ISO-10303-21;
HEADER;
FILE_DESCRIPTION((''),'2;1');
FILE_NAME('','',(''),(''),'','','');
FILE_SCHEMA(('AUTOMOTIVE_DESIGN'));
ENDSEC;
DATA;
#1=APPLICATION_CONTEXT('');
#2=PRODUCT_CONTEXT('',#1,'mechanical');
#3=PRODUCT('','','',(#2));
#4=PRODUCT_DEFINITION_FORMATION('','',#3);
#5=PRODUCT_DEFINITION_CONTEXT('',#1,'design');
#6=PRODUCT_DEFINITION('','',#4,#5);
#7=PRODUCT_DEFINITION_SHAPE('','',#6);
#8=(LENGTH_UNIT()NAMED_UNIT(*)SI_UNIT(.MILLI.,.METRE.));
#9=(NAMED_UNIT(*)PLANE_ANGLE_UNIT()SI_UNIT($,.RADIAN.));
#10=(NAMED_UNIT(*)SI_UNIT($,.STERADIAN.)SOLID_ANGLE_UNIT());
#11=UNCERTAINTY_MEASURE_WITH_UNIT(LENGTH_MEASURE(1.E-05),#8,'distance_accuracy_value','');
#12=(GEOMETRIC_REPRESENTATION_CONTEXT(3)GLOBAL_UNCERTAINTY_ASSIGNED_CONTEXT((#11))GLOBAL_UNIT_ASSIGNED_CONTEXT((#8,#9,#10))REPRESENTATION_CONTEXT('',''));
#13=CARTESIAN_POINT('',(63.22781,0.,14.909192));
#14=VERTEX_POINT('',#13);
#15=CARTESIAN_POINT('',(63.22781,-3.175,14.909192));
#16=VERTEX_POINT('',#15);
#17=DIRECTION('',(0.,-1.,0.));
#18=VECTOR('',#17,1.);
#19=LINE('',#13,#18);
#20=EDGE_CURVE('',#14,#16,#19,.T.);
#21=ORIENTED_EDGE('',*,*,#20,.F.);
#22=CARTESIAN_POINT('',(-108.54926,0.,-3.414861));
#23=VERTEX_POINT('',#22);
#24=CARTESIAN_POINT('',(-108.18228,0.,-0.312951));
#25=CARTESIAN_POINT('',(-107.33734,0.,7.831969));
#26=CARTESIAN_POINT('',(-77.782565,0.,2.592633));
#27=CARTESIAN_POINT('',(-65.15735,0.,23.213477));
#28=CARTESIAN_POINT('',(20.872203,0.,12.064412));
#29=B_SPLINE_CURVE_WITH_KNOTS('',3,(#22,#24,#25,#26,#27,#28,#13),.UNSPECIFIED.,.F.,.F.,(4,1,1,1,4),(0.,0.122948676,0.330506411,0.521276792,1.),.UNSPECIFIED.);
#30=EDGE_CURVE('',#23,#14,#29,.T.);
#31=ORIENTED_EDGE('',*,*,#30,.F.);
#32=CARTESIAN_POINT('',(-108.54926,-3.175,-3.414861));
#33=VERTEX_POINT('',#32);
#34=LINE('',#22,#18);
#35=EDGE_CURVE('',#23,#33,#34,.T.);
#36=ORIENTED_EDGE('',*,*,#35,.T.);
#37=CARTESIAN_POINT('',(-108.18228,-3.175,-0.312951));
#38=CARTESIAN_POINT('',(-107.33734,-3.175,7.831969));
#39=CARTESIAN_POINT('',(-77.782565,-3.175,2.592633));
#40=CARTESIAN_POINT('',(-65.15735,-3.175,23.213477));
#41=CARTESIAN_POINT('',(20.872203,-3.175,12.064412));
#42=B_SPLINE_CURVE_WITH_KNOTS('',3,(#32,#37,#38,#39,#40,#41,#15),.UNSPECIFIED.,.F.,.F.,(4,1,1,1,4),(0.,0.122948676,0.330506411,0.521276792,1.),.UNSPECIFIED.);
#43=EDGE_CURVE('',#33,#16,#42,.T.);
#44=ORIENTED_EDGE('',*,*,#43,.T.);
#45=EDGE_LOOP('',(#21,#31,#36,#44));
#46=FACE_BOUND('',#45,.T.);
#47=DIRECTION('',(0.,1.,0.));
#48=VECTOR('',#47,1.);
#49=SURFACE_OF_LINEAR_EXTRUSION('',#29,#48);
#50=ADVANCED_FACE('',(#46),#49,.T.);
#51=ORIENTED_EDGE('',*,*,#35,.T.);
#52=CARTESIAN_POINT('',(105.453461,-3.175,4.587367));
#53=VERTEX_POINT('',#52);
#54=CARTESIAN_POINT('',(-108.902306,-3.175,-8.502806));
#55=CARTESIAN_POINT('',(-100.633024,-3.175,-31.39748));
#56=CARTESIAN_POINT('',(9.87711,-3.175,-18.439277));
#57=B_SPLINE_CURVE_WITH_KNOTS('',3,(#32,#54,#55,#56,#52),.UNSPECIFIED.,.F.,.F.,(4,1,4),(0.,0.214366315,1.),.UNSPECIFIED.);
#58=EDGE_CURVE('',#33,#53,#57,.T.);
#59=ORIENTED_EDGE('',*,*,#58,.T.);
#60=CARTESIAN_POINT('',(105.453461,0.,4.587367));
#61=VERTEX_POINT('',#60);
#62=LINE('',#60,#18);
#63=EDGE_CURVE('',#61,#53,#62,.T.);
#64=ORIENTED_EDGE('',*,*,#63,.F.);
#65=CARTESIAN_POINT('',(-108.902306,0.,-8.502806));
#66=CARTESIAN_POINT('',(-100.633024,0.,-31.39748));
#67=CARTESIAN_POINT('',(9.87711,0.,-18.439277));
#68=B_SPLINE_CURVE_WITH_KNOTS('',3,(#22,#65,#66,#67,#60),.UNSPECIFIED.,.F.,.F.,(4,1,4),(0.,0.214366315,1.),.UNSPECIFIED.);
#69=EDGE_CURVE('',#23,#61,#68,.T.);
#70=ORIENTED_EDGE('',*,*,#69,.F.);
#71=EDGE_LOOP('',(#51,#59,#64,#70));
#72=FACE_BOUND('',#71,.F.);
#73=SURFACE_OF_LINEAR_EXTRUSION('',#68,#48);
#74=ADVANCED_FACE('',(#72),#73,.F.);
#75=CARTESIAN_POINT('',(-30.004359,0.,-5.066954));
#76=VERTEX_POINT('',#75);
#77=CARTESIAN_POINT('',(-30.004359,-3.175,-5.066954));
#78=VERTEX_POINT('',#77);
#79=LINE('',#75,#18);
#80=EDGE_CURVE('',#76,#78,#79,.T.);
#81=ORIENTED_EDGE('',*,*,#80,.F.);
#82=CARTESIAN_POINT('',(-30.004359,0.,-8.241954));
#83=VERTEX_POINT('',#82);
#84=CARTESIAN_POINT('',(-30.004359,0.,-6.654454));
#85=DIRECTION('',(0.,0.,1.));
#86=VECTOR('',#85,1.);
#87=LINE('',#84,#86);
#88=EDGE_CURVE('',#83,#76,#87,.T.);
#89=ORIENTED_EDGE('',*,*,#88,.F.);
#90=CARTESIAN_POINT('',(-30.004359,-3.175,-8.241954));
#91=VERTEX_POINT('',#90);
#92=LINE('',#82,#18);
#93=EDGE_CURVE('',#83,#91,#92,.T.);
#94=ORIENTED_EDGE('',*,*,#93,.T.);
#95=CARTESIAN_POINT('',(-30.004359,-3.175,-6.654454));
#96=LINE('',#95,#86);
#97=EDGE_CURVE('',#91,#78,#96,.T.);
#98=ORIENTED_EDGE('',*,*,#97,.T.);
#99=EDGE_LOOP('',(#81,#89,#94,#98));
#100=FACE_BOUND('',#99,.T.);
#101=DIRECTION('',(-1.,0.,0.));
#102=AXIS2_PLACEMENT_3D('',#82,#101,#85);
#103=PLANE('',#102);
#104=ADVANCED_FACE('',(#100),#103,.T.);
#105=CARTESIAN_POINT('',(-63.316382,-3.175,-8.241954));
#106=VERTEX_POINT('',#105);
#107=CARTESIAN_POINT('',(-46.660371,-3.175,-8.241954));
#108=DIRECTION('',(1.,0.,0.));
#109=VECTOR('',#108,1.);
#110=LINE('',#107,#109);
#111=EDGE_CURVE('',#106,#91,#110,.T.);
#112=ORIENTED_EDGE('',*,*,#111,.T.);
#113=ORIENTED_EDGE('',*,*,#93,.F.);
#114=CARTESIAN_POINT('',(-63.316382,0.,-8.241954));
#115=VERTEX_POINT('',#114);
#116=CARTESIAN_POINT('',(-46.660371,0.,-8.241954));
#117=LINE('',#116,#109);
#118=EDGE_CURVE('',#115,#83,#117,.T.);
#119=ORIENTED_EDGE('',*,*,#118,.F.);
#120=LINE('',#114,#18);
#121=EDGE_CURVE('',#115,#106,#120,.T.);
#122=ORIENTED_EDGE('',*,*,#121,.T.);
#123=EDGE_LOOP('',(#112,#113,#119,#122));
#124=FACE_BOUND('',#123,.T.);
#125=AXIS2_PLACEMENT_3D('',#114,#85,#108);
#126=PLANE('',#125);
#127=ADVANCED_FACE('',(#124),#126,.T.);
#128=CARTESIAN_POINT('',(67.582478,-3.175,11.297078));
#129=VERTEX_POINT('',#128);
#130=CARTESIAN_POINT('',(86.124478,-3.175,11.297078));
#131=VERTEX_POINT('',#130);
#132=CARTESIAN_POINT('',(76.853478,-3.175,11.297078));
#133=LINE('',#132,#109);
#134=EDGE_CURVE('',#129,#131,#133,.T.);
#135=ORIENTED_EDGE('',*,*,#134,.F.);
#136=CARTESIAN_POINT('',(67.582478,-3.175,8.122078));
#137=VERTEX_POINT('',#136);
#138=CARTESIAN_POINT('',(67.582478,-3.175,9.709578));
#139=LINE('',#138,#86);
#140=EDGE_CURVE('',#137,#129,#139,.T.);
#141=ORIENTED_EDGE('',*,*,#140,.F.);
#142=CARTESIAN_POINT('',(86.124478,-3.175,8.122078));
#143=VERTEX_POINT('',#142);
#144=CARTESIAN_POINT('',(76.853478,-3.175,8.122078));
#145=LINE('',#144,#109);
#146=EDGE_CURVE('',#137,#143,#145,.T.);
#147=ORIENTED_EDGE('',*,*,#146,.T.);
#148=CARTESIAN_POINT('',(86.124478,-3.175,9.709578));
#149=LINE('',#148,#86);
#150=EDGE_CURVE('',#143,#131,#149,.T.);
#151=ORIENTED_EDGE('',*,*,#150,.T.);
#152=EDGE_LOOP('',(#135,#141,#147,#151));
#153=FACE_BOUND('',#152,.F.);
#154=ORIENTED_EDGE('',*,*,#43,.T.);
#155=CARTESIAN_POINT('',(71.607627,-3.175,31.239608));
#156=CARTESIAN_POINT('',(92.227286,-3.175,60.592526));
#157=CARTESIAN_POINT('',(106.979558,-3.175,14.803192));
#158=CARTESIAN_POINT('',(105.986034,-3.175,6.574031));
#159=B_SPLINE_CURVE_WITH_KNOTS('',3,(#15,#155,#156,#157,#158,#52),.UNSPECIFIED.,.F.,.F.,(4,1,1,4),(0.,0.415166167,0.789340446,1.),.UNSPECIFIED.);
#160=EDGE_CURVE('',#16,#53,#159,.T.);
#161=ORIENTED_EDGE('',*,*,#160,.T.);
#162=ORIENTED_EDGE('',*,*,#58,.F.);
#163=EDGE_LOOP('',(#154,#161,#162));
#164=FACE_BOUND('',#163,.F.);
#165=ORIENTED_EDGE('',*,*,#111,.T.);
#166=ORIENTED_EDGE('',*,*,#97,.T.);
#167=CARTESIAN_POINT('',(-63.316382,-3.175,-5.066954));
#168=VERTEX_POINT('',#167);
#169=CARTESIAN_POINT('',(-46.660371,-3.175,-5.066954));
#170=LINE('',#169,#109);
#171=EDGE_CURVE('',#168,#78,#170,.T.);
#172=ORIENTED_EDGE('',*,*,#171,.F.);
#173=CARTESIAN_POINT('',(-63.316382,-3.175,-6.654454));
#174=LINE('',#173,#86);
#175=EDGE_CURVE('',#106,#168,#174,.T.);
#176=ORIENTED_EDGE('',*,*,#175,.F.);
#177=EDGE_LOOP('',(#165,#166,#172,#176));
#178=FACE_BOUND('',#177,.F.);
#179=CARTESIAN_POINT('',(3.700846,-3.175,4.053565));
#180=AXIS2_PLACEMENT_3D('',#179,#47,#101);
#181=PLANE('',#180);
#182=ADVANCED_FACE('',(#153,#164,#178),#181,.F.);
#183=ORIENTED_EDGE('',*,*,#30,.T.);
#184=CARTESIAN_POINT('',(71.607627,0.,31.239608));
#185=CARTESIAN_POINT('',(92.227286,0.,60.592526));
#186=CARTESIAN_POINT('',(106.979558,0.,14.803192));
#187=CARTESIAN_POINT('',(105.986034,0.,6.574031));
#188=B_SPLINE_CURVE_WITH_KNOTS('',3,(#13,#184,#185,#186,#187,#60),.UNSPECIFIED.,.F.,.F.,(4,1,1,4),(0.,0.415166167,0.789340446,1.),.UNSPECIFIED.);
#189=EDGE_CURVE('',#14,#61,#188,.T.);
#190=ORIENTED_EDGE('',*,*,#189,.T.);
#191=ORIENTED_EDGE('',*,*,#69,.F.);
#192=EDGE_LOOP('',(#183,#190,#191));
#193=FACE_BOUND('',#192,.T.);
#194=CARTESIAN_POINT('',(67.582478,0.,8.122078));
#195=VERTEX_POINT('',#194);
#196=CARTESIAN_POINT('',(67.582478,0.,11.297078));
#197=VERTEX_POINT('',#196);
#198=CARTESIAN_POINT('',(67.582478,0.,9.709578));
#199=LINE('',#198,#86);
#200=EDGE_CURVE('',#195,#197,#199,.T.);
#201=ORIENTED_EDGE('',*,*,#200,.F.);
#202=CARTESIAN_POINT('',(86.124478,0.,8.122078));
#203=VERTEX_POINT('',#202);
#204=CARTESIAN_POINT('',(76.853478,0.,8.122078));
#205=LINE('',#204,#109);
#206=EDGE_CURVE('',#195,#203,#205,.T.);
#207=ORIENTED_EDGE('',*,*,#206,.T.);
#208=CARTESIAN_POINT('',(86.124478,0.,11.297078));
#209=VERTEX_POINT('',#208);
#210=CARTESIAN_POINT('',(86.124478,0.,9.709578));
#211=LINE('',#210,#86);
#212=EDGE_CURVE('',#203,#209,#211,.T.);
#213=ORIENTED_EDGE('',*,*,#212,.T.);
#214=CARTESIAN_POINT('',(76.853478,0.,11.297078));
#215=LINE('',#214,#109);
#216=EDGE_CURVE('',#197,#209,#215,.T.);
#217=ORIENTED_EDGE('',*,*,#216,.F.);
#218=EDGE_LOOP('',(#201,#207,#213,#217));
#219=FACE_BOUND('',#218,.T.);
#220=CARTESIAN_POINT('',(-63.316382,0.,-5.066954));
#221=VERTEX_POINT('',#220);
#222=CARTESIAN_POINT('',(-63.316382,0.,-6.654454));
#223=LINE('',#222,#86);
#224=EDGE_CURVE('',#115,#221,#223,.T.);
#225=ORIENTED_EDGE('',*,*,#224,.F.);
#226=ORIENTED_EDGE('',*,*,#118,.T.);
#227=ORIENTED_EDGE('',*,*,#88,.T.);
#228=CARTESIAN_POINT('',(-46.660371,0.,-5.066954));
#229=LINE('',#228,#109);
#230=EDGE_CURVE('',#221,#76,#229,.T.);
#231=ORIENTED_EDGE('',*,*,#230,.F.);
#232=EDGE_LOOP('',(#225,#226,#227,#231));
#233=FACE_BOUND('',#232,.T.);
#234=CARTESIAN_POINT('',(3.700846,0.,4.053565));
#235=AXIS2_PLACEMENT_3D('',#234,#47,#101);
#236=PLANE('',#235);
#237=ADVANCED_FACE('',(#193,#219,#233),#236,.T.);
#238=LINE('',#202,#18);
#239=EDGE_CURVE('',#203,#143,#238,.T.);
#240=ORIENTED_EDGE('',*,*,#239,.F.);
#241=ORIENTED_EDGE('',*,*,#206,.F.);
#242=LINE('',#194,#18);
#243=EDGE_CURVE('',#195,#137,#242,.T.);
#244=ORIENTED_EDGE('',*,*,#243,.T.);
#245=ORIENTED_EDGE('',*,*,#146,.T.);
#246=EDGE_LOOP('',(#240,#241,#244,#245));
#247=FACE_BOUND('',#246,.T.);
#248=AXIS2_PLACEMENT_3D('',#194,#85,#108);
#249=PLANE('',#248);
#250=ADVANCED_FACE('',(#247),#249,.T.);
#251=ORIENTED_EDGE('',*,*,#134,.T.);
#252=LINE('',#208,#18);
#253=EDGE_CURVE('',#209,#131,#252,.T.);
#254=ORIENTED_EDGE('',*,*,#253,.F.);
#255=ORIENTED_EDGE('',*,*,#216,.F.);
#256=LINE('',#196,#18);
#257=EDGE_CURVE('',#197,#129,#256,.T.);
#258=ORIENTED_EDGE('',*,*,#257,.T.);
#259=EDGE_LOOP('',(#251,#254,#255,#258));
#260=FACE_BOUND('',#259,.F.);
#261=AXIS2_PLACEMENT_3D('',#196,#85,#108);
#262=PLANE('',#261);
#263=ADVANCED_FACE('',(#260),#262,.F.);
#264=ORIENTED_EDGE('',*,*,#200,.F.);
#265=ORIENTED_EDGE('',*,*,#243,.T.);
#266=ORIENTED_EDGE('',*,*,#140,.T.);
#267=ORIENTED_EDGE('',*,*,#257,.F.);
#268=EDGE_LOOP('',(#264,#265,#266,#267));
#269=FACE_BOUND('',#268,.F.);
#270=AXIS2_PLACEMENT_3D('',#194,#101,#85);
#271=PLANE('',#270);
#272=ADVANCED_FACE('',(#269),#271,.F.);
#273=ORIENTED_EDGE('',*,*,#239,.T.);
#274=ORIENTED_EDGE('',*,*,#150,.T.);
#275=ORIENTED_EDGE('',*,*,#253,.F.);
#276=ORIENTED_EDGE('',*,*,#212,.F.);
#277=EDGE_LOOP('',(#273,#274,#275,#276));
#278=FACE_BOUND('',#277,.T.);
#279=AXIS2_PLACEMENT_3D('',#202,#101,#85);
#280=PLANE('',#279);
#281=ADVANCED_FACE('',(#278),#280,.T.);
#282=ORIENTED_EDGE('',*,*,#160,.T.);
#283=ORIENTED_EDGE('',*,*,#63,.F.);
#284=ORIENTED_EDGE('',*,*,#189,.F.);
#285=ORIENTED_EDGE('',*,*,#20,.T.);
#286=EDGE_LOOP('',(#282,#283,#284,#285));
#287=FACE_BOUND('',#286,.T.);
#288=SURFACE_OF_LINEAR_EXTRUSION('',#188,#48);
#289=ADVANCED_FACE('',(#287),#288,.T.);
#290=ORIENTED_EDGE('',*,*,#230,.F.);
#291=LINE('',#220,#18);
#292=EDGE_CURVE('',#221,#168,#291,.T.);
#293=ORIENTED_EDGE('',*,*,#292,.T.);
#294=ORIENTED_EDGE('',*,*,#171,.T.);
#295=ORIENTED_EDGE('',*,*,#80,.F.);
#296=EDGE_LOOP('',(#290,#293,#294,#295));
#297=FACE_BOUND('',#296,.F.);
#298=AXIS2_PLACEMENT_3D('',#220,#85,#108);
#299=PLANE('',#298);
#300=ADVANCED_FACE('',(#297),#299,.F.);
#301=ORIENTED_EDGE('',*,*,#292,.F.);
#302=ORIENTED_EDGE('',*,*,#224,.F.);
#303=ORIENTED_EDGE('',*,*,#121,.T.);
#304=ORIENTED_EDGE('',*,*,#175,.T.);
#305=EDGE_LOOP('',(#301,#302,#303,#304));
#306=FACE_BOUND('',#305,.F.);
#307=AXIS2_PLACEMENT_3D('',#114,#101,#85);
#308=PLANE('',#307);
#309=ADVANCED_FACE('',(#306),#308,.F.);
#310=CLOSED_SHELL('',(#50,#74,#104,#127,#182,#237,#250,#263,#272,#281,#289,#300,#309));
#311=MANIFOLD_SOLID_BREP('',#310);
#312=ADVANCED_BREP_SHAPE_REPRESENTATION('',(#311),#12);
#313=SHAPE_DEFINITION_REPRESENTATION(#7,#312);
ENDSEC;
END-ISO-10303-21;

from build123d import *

# Parameters (mm, degrees)
F0_W     = 33.3120238
F0_H     = 3.175
F0_W_2   = 18.542
F1_DEPTH = 3.175


with BuildPart() as f1:
    # F0 (on Front) → F1 (new body)
    with BuildSketch(Plane.XZ):
        with BuildLine():
            add(Edge.make_bspline(
                [(-108.549259603, -3.4148609266), (-108.182279592, -0.3129514374), (-107.3373402217, 7.831968629), (-77.7825654855, 2.592633478), (-65.1573496228, 23.2134765019), (20.8722034308, 12.0644123058), (63.2278099656, 14.9091919884)],
                knots=[0, 0, 0, 0, 0.1229486758, 0.3305064109, 0.5212767918, 1, 1, 1, 1], degree=3))
            add(Edge.make_bspline(
                [(-108.549259603, -3.4148609266), (-108.9023058999, -8.5028058583), (-100.6330244933, -31.3974796903), (9.8771099191, -18.4392771407), (105.4534614086, 4.587367177)],
                knots=[0, 0, 0, 0, 0.2143663155, 1, 1, 1, 1], degree=3))
            add(Edge.make_bspline(
                [(63.2278099656, 14.9091919884), (71.6076268293, 31.239608401), (92.2272859917, 60.5925255068), (106.9795582085, 14.8031922001), (105.9860341662, 6.5740305791), (105.4534614086, 4.587367177)],
                knots=[0, 0, 0, 0, 0.4151661668, 0.7893404456, 1, 1, 1, 1], degree=3))
        make_face()
        with Locations((-46.6603705677, -6.6544542596)):
            Rectangle(F0_W, F0_H, mode=Mode.SUBTRACT)
        with Locations((76.8534777889, 9.7095776774)):
            Rectangle(F0_W_2, F0_H, mode=Mode.SUBTRACT)
    extrude(amount=F1_DEPTH)


solid = f1.part
